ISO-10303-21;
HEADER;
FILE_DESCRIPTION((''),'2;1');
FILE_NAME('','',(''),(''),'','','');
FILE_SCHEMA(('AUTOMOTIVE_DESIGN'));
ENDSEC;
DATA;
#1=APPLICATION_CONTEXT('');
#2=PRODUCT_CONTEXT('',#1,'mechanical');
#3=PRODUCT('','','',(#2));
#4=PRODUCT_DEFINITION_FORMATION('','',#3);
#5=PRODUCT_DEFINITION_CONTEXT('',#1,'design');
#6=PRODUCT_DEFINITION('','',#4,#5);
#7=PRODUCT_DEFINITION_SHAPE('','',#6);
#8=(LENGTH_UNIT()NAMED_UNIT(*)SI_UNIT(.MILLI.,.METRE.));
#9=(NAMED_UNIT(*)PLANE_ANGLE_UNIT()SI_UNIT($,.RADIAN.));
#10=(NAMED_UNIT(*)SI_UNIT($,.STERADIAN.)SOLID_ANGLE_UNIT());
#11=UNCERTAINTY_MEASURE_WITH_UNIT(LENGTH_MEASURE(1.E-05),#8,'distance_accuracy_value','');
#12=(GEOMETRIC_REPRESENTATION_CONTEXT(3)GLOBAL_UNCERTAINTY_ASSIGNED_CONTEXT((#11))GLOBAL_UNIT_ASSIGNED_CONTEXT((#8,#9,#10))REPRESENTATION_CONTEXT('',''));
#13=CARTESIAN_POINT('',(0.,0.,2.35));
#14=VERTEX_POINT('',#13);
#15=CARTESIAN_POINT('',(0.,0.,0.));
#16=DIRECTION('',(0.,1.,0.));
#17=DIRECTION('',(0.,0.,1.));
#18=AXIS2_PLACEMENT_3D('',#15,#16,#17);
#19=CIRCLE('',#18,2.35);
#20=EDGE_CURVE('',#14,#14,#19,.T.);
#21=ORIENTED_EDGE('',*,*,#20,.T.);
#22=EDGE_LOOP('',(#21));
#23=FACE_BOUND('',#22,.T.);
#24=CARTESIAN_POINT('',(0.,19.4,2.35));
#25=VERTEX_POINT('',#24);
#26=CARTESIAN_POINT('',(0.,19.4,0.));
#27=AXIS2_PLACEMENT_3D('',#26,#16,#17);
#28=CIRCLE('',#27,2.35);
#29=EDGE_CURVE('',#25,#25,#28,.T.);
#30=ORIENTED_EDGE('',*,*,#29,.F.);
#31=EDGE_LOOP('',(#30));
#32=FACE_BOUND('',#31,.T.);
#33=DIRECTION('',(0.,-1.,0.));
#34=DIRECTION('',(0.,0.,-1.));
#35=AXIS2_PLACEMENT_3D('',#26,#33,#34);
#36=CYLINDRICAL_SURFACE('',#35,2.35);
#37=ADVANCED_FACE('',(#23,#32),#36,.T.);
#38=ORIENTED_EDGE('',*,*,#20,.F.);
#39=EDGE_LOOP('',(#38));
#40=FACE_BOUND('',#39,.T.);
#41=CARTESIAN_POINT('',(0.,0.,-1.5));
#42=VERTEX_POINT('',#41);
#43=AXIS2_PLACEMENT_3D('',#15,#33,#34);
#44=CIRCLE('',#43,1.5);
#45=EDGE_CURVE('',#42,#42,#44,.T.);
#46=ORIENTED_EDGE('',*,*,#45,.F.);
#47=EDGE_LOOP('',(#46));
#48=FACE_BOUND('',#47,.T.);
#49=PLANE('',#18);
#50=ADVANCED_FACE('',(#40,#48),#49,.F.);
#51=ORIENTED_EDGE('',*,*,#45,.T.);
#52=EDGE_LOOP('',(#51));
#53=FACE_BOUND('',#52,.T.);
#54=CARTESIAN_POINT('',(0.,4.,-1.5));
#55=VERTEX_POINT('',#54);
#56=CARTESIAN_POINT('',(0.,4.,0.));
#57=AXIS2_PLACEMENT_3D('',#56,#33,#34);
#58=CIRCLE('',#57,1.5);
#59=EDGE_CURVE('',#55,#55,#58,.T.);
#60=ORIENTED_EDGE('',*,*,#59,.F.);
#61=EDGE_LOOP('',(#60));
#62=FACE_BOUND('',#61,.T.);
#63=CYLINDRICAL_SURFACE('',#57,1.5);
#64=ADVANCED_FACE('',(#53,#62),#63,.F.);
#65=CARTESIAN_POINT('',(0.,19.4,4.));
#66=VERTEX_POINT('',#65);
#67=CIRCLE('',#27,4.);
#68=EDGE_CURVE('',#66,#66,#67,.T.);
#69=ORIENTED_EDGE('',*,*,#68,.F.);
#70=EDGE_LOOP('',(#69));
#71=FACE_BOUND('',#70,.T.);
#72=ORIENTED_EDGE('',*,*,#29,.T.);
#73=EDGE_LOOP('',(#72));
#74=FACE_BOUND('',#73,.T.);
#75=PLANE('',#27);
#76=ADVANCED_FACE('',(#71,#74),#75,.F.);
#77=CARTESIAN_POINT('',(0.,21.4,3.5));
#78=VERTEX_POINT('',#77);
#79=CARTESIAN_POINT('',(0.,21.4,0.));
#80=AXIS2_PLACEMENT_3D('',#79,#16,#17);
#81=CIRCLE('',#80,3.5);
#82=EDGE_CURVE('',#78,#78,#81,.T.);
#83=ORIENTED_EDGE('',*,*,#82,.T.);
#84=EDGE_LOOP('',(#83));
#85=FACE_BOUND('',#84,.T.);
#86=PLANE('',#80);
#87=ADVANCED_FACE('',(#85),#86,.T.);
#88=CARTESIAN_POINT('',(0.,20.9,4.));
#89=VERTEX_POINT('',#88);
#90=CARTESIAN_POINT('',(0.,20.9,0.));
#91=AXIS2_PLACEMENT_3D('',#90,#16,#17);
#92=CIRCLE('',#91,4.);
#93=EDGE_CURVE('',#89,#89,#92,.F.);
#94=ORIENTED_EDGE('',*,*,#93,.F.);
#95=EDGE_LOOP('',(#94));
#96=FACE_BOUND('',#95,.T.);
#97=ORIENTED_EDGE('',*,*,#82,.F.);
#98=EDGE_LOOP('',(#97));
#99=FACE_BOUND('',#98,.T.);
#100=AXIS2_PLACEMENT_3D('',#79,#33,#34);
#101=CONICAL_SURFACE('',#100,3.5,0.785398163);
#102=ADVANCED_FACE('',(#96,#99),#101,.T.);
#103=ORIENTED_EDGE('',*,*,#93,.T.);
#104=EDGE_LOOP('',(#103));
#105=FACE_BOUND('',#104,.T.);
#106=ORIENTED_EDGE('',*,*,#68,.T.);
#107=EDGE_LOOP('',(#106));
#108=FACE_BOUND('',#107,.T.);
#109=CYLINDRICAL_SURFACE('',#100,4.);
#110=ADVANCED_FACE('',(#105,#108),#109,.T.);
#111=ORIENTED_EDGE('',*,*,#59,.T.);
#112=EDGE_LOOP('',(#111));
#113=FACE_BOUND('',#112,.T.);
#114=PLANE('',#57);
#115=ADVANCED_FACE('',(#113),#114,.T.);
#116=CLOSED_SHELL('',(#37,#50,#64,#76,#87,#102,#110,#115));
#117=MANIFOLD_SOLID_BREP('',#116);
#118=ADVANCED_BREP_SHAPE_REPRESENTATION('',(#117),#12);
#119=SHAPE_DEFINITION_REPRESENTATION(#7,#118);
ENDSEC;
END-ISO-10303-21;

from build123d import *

# Parameters (mm, degrees)
SKETCH1_R           = 2.35
BOSS_EXTRUDE1_DEPTH = 19.4
SKETCH2_R           = 4
BOSS_EXTRUDE2_DEPTH = 2
CHAMFER1_SIZE       = 0.5
SKETCH3_R           = 1.5
CUT_EXTRUDE1_DEPTH  = 4


with BuildPart() as part:
    # Sketch1 → Boss-Extrude1 (new body)
    with BuildSketch(Plane(origin=(0, 0, 0), x_dir=(1, 0, 0), z_dir=(0, 1, 0))):
        with Locations(Location((0, 0, 0), (0, 0, 270))):
            Circle(SKETCH1_R)
    extrude(amount=BOSS_EXTRUDE1_DEPTH)

    # Sketch2 → Boss-Extrude2 (add)
    with BuildSketch(Plane(origin=(0, 19.4, 0), x_dir=(1, 0, 0), z_dir=(0, 1, 0))):
        with Locations(Location((0, 0, 0), (0, 0, 270))):
            Circle(SKETCH2_R)
    extrude(amount=BOSS_EXTRUDE2_DEPTH)

    # Chamfer1
    chamfer1_edges = [part.edges().sort_by_distance(p)[0] for p in [
        (0, 21.4, -4),
    ]]
    chamfer(chamfer1_edges, length=CHAMFER1_SIZE)

    # Sketch3 → Cut-Extrude1 (cut)
    with BuildSketch(Plane.XZ):
        with Locations(Location((0, 0, 0), (0, 0, 270))):
            Circle(SKETCH3_R)
    extrude(amount=-CUT_EXTRUDE1_DEPTH, mode=Mode.SUBTRACT)


solid = part.part
